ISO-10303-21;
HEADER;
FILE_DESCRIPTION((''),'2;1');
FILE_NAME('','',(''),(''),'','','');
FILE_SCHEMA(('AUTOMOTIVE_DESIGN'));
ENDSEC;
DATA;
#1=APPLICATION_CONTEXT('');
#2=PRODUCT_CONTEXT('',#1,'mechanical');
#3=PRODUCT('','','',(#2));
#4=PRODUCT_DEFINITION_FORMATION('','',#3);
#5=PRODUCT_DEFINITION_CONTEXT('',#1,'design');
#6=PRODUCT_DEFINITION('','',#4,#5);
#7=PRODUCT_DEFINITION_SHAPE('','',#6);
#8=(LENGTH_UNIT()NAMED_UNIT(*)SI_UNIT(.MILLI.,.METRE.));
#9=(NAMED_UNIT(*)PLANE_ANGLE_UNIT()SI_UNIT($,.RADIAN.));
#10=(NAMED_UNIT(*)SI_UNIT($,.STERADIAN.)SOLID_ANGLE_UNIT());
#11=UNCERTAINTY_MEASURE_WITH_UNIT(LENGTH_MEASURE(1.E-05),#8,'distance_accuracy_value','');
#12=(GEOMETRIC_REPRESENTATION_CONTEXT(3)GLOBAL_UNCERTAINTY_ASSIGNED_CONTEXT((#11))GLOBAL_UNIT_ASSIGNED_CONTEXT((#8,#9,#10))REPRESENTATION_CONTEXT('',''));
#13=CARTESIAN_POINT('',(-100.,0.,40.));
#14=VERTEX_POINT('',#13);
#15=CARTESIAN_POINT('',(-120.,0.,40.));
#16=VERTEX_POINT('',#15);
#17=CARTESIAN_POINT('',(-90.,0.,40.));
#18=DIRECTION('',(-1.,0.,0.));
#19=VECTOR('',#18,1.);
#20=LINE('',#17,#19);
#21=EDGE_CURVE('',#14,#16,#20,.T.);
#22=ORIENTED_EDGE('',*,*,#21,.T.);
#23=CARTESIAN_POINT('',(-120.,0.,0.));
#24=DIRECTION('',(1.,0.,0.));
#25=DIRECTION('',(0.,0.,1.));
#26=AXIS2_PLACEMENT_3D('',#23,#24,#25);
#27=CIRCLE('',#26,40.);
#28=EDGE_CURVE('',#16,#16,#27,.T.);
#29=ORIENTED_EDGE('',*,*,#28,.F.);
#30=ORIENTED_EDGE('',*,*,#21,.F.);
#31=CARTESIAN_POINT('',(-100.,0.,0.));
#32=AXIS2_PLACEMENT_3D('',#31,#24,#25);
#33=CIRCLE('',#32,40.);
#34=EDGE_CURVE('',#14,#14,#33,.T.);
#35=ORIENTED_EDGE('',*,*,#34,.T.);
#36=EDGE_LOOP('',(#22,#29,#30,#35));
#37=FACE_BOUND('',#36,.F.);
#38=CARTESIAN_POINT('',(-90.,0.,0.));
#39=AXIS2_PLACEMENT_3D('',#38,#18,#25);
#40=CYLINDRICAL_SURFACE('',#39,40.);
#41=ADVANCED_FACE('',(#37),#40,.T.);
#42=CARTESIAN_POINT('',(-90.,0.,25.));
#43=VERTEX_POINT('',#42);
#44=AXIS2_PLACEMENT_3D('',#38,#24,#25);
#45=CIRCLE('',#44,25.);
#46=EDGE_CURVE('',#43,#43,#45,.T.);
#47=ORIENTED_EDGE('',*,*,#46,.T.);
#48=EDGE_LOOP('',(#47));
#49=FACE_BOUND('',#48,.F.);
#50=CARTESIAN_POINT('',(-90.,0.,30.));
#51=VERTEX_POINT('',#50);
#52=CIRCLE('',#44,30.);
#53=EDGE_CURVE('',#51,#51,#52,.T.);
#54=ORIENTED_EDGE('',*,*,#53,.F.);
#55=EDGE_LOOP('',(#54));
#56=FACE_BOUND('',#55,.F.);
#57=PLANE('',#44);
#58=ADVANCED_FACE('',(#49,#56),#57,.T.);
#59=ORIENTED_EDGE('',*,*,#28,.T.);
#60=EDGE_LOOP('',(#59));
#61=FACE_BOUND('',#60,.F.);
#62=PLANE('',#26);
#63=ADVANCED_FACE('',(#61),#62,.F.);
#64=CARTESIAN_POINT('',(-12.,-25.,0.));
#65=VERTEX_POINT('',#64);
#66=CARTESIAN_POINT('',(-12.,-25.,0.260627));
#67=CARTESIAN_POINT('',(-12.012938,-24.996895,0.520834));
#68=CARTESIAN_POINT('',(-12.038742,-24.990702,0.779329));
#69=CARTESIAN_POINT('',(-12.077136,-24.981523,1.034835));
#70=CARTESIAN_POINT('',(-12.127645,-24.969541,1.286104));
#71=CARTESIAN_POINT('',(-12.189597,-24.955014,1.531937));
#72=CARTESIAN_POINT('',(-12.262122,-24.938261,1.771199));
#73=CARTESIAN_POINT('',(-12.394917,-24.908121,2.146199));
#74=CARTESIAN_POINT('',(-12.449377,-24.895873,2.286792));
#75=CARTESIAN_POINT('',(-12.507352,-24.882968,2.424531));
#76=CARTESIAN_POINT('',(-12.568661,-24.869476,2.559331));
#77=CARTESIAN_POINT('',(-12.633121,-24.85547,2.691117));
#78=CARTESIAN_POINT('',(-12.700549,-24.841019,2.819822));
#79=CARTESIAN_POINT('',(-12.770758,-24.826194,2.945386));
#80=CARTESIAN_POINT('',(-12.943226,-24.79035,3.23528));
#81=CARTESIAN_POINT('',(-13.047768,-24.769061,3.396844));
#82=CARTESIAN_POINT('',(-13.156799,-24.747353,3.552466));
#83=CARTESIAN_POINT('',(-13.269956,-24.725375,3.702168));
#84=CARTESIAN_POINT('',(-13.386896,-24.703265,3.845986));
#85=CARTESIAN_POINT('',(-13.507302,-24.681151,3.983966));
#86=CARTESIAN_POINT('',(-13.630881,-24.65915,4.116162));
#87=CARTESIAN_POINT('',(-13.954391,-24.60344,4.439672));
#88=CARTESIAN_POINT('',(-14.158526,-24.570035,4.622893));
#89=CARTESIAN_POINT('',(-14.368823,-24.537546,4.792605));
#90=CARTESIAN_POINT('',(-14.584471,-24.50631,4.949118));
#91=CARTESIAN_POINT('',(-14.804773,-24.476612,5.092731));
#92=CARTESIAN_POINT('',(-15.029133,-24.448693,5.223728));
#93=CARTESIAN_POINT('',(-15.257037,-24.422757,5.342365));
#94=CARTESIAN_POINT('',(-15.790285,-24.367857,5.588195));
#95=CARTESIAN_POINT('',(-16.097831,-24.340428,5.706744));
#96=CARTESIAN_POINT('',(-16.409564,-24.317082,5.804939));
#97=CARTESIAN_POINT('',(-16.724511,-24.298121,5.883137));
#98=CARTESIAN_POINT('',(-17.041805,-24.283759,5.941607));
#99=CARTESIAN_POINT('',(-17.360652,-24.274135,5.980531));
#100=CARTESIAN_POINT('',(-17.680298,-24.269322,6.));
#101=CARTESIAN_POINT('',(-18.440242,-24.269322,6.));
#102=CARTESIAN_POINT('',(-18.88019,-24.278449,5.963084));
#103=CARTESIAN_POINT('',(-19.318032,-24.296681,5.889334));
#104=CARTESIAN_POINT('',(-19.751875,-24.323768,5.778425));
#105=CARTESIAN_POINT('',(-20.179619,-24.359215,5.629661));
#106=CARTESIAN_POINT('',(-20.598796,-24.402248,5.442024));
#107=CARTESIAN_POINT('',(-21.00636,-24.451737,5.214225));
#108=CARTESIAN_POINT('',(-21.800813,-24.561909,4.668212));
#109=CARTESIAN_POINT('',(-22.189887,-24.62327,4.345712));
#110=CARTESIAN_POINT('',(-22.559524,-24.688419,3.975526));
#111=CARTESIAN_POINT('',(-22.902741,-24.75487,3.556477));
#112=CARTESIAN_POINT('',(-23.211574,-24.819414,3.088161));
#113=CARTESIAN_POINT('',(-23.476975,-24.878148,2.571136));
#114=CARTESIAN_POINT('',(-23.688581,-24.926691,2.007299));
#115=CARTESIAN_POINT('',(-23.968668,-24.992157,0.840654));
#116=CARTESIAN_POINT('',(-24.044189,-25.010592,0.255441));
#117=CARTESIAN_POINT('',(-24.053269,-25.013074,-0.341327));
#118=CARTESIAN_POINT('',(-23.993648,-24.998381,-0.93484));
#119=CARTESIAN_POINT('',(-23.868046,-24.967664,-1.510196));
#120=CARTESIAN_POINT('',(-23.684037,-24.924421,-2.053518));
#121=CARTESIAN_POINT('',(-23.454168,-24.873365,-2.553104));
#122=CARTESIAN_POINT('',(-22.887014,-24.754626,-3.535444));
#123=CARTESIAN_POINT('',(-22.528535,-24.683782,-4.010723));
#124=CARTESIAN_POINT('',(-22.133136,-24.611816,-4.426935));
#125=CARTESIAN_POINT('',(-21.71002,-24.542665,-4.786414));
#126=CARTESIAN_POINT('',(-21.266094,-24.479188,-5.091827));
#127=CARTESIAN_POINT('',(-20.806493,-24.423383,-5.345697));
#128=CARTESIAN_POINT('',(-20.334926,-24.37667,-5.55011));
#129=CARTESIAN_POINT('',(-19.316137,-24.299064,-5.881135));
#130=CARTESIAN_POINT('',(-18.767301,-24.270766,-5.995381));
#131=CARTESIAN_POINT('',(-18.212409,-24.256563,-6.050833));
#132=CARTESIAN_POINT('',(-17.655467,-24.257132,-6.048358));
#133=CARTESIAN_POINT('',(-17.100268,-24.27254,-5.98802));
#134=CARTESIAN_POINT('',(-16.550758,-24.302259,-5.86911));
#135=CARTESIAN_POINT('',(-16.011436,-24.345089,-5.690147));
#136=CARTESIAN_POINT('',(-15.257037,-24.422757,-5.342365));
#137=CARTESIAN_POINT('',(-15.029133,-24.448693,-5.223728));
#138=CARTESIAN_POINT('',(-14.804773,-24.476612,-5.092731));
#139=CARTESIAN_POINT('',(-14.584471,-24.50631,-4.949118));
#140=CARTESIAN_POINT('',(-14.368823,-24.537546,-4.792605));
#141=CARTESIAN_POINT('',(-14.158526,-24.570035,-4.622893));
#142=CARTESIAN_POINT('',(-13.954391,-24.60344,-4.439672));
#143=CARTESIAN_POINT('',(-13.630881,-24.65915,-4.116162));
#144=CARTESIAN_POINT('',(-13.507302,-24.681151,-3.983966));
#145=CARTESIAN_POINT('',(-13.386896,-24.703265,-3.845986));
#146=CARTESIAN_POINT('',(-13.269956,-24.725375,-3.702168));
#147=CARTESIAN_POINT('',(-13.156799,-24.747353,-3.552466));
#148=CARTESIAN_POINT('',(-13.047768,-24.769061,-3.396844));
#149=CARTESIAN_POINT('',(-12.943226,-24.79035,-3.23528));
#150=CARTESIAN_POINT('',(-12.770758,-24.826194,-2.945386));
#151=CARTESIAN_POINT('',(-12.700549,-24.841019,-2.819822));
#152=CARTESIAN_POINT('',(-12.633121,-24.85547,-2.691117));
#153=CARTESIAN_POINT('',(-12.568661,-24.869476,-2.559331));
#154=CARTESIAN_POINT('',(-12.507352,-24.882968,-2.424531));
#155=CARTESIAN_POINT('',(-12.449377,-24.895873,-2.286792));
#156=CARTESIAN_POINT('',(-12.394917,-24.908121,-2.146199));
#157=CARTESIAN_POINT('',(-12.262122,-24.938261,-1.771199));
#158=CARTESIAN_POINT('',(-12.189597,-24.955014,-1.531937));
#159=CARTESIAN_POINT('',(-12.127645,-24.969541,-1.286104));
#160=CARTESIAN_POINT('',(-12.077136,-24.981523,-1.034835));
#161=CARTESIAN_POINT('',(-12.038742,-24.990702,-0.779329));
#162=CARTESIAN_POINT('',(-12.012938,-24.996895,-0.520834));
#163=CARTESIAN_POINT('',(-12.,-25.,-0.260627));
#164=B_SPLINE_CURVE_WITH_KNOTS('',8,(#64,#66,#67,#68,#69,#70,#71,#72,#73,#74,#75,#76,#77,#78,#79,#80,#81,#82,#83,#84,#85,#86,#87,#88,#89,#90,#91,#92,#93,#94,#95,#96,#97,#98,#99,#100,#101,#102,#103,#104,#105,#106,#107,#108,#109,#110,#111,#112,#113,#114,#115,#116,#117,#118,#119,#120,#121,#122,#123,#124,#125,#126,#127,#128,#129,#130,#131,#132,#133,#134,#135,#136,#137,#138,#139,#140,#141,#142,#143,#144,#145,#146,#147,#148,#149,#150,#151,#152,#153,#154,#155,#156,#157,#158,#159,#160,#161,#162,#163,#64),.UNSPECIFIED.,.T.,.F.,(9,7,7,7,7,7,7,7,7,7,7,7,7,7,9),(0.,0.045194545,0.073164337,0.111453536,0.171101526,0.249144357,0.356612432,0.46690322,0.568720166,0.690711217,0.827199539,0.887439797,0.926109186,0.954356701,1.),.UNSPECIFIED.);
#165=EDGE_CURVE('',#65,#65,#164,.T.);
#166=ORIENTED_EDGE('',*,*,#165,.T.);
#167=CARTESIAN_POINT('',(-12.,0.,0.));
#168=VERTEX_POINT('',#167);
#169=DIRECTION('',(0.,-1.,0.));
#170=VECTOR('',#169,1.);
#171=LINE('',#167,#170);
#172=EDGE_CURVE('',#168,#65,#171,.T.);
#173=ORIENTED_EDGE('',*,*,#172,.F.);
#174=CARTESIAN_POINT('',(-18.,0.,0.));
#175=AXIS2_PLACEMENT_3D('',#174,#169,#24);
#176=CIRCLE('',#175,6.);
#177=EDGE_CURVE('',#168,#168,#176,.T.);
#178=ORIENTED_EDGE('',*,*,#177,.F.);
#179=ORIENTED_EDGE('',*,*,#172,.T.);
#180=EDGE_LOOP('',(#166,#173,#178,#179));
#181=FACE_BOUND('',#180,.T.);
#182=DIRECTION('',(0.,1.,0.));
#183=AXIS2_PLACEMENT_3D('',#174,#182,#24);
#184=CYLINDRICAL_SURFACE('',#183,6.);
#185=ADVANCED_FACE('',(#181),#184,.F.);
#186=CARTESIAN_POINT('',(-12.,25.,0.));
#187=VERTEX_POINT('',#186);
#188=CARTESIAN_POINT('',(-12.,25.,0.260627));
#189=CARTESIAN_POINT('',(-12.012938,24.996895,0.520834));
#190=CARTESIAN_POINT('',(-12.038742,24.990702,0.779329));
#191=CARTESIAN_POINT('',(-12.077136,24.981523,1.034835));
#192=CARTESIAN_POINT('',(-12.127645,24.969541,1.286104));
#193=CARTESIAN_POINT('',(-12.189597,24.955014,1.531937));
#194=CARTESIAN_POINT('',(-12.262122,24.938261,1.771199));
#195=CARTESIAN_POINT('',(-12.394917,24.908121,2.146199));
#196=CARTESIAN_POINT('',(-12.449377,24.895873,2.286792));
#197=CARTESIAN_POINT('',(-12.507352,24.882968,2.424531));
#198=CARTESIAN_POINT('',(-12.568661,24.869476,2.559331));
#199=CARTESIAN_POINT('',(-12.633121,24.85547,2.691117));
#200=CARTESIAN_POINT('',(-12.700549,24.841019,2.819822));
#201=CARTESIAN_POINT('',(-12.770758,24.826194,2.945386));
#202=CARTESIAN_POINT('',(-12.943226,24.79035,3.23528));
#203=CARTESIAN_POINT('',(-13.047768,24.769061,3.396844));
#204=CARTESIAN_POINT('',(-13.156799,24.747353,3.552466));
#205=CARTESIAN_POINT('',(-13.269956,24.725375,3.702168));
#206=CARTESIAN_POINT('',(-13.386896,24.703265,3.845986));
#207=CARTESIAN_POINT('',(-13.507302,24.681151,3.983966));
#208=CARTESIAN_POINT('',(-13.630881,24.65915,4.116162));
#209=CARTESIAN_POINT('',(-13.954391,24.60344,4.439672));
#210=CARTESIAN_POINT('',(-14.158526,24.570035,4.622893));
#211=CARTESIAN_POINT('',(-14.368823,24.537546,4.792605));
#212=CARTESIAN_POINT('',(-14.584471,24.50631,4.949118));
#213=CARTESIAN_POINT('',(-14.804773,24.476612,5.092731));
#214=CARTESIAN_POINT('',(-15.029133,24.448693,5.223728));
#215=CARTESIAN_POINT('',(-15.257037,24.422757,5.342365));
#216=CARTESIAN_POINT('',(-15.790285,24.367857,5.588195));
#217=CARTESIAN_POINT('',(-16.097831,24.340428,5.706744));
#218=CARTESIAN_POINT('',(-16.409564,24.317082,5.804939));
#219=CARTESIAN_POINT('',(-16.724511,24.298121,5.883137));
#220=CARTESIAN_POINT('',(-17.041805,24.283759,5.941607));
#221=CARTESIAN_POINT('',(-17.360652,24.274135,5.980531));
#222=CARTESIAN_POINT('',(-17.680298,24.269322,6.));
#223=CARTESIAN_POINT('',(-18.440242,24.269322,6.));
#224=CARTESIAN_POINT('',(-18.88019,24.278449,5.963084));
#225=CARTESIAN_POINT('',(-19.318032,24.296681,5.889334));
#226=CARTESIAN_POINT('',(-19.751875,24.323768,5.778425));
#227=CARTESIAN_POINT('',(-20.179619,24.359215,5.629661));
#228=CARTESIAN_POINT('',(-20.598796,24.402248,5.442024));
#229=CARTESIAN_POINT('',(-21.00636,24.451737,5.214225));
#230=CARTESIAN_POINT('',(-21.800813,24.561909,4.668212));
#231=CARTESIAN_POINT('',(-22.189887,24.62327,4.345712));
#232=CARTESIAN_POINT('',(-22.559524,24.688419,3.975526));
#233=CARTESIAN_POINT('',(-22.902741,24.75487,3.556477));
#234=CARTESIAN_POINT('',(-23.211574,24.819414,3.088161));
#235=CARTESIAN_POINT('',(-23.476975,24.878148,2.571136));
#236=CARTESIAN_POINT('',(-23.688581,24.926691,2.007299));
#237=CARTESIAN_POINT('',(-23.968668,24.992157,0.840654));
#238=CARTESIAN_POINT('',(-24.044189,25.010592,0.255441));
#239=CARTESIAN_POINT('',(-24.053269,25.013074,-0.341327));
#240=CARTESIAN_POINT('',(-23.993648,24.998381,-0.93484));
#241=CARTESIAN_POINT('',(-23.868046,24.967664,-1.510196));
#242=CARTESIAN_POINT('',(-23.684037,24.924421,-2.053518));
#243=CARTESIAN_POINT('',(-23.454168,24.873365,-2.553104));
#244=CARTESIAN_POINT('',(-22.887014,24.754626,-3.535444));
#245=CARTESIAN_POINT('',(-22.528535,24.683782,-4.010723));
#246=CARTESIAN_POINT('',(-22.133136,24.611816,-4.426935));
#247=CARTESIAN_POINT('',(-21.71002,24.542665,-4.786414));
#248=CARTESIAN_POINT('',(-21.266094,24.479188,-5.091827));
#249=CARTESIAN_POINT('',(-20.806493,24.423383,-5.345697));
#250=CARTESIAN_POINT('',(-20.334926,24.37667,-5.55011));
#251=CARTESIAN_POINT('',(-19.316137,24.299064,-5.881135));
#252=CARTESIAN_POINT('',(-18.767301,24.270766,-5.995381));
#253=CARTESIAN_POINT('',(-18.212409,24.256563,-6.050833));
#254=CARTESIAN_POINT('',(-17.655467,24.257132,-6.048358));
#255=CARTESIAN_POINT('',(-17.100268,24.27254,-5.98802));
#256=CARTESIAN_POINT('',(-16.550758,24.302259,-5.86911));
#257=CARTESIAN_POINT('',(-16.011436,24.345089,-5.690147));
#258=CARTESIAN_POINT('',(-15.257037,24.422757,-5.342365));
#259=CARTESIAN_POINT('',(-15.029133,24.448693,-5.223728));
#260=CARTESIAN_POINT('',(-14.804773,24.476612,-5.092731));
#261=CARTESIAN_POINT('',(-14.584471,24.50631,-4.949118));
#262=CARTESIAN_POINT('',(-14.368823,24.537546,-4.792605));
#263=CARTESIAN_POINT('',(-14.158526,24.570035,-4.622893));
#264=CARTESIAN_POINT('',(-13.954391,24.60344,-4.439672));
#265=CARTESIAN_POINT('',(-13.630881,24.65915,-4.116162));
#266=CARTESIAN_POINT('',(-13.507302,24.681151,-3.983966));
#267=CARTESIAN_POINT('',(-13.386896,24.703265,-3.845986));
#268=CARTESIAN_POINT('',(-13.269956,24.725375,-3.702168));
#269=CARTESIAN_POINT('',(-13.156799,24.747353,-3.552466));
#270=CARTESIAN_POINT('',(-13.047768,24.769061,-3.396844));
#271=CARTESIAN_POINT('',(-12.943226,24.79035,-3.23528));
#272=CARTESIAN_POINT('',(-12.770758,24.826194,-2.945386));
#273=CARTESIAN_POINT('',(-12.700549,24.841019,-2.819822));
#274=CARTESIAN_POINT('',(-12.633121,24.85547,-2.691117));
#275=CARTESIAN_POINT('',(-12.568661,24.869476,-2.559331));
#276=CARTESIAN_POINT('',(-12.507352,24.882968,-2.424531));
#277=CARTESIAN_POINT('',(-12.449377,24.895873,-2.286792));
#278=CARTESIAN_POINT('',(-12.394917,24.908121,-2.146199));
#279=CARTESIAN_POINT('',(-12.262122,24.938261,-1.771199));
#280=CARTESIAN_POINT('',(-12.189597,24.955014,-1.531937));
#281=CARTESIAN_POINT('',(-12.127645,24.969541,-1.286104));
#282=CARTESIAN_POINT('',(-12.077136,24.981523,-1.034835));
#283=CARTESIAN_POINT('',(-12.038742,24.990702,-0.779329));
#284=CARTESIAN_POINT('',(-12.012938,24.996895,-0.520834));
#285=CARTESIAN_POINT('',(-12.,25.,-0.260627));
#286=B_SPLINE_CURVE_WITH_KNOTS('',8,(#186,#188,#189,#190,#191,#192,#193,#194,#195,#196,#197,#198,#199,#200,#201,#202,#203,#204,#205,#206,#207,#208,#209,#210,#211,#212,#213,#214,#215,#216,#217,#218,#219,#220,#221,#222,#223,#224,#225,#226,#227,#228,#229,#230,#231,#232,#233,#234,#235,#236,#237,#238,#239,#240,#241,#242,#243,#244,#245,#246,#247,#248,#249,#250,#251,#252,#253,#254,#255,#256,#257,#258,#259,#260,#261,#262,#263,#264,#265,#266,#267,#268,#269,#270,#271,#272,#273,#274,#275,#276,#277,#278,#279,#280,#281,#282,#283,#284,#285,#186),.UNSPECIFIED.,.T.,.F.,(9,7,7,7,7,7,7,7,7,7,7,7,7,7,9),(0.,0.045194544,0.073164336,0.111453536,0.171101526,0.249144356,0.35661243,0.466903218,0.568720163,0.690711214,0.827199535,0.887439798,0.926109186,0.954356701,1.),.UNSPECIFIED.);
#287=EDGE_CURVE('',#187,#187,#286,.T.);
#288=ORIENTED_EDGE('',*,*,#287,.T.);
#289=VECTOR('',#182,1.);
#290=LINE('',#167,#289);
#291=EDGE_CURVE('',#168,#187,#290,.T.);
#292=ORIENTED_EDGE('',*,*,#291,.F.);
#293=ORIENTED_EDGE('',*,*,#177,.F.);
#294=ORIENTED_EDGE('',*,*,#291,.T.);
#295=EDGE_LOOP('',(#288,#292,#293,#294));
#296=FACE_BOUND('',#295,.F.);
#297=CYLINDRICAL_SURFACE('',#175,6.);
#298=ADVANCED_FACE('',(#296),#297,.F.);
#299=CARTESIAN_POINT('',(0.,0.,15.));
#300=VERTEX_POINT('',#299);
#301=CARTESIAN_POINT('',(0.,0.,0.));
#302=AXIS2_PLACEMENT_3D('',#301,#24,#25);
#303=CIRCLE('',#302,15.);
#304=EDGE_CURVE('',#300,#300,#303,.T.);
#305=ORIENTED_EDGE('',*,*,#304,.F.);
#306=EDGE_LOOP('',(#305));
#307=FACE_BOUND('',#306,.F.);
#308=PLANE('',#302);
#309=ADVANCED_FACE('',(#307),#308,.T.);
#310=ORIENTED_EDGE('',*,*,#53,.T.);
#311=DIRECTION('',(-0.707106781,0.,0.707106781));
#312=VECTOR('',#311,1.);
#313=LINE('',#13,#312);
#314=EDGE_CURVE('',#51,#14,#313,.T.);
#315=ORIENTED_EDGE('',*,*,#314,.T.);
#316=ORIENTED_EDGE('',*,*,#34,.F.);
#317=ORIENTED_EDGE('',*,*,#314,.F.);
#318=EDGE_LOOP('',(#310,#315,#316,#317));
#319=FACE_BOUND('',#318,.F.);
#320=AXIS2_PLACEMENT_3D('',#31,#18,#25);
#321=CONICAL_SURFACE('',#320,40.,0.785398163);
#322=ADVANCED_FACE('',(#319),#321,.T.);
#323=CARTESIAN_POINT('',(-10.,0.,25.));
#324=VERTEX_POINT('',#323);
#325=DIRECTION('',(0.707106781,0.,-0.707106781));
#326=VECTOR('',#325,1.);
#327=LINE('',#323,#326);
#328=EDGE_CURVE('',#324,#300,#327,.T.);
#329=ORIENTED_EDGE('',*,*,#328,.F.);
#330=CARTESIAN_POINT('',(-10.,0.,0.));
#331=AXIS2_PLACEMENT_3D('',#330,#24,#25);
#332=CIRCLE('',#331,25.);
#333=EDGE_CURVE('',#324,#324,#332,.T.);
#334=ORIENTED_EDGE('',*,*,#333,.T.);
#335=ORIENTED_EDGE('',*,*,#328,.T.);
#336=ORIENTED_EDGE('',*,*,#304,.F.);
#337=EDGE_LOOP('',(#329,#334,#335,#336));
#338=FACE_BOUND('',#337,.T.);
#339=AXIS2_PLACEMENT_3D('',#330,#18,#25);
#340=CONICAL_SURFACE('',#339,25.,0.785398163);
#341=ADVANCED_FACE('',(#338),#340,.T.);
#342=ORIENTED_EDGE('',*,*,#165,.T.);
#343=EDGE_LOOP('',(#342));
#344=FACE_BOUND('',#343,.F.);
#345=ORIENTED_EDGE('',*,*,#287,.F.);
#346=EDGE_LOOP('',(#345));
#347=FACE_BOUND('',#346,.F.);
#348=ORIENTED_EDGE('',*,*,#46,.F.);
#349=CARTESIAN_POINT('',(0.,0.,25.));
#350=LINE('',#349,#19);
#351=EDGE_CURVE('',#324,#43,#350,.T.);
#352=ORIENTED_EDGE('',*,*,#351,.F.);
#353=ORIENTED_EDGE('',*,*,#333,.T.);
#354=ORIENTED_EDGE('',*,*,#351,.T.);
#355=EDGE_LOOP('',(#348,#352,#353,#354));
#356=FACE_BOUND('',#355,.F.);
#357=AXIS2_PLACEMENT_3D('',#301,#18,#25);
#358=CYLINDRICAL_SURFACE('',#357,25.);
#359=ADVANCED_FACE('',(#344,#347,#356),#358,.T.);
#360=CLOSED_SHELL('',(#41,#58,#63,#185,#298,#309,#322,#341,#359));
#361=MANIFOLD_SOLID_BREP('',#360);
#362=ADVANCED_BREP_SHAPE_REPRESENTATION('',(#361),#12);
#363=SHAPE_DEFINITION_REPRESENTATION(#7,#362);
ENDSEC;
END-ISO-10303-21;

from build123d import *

# Parameters (mm, degrees)
F2_SIZE       = 10
F3_SIZE       = 10
F4_R          = 6
F5_DEPTH      = 40.001
F5_DEPTH_BACK = 40.001


with BuildPart() as f1:
    # F0 (on Front) → F1 (revolve)
    with BuildSketch(Plane.XZ):
        Polygon((-120, 40), (-120, 0), (0, 0), (0, 25), (-90, 25), (-90, 40), align=None)
    revolve(axis=Axis((-60, 0, 0), (1, 0, 0)))

    # F2
    f2_edges = [f1.edges().sort_by_distance(p)[0] for p in [
        (-90, 0, -40),
    ]]
    chamfer(f2_edges, length=F2_SIZE)

    # F3
    f3_edges = [f1.edges().sort_by_distance(p)[0] for p in [
        (0, 0, -25),
    ]]
    chamfer(f3_edges, length=F3_SIZE)

    # F4 (on Front) → F5 (cut, two sides)
    with BuildSketch(Plane.XZ) as f5_sk:
        with Locations((-18, 0)):
            Circle(F4_R)
    extrude(amount=-F5_DEPTH, mode=Mode.SUBTRACT)
    extrude(f5_sk.sketch, amount=F5_DEPTH_BACK, mode=Mode.SUBTRACT)


solid = f1.part
